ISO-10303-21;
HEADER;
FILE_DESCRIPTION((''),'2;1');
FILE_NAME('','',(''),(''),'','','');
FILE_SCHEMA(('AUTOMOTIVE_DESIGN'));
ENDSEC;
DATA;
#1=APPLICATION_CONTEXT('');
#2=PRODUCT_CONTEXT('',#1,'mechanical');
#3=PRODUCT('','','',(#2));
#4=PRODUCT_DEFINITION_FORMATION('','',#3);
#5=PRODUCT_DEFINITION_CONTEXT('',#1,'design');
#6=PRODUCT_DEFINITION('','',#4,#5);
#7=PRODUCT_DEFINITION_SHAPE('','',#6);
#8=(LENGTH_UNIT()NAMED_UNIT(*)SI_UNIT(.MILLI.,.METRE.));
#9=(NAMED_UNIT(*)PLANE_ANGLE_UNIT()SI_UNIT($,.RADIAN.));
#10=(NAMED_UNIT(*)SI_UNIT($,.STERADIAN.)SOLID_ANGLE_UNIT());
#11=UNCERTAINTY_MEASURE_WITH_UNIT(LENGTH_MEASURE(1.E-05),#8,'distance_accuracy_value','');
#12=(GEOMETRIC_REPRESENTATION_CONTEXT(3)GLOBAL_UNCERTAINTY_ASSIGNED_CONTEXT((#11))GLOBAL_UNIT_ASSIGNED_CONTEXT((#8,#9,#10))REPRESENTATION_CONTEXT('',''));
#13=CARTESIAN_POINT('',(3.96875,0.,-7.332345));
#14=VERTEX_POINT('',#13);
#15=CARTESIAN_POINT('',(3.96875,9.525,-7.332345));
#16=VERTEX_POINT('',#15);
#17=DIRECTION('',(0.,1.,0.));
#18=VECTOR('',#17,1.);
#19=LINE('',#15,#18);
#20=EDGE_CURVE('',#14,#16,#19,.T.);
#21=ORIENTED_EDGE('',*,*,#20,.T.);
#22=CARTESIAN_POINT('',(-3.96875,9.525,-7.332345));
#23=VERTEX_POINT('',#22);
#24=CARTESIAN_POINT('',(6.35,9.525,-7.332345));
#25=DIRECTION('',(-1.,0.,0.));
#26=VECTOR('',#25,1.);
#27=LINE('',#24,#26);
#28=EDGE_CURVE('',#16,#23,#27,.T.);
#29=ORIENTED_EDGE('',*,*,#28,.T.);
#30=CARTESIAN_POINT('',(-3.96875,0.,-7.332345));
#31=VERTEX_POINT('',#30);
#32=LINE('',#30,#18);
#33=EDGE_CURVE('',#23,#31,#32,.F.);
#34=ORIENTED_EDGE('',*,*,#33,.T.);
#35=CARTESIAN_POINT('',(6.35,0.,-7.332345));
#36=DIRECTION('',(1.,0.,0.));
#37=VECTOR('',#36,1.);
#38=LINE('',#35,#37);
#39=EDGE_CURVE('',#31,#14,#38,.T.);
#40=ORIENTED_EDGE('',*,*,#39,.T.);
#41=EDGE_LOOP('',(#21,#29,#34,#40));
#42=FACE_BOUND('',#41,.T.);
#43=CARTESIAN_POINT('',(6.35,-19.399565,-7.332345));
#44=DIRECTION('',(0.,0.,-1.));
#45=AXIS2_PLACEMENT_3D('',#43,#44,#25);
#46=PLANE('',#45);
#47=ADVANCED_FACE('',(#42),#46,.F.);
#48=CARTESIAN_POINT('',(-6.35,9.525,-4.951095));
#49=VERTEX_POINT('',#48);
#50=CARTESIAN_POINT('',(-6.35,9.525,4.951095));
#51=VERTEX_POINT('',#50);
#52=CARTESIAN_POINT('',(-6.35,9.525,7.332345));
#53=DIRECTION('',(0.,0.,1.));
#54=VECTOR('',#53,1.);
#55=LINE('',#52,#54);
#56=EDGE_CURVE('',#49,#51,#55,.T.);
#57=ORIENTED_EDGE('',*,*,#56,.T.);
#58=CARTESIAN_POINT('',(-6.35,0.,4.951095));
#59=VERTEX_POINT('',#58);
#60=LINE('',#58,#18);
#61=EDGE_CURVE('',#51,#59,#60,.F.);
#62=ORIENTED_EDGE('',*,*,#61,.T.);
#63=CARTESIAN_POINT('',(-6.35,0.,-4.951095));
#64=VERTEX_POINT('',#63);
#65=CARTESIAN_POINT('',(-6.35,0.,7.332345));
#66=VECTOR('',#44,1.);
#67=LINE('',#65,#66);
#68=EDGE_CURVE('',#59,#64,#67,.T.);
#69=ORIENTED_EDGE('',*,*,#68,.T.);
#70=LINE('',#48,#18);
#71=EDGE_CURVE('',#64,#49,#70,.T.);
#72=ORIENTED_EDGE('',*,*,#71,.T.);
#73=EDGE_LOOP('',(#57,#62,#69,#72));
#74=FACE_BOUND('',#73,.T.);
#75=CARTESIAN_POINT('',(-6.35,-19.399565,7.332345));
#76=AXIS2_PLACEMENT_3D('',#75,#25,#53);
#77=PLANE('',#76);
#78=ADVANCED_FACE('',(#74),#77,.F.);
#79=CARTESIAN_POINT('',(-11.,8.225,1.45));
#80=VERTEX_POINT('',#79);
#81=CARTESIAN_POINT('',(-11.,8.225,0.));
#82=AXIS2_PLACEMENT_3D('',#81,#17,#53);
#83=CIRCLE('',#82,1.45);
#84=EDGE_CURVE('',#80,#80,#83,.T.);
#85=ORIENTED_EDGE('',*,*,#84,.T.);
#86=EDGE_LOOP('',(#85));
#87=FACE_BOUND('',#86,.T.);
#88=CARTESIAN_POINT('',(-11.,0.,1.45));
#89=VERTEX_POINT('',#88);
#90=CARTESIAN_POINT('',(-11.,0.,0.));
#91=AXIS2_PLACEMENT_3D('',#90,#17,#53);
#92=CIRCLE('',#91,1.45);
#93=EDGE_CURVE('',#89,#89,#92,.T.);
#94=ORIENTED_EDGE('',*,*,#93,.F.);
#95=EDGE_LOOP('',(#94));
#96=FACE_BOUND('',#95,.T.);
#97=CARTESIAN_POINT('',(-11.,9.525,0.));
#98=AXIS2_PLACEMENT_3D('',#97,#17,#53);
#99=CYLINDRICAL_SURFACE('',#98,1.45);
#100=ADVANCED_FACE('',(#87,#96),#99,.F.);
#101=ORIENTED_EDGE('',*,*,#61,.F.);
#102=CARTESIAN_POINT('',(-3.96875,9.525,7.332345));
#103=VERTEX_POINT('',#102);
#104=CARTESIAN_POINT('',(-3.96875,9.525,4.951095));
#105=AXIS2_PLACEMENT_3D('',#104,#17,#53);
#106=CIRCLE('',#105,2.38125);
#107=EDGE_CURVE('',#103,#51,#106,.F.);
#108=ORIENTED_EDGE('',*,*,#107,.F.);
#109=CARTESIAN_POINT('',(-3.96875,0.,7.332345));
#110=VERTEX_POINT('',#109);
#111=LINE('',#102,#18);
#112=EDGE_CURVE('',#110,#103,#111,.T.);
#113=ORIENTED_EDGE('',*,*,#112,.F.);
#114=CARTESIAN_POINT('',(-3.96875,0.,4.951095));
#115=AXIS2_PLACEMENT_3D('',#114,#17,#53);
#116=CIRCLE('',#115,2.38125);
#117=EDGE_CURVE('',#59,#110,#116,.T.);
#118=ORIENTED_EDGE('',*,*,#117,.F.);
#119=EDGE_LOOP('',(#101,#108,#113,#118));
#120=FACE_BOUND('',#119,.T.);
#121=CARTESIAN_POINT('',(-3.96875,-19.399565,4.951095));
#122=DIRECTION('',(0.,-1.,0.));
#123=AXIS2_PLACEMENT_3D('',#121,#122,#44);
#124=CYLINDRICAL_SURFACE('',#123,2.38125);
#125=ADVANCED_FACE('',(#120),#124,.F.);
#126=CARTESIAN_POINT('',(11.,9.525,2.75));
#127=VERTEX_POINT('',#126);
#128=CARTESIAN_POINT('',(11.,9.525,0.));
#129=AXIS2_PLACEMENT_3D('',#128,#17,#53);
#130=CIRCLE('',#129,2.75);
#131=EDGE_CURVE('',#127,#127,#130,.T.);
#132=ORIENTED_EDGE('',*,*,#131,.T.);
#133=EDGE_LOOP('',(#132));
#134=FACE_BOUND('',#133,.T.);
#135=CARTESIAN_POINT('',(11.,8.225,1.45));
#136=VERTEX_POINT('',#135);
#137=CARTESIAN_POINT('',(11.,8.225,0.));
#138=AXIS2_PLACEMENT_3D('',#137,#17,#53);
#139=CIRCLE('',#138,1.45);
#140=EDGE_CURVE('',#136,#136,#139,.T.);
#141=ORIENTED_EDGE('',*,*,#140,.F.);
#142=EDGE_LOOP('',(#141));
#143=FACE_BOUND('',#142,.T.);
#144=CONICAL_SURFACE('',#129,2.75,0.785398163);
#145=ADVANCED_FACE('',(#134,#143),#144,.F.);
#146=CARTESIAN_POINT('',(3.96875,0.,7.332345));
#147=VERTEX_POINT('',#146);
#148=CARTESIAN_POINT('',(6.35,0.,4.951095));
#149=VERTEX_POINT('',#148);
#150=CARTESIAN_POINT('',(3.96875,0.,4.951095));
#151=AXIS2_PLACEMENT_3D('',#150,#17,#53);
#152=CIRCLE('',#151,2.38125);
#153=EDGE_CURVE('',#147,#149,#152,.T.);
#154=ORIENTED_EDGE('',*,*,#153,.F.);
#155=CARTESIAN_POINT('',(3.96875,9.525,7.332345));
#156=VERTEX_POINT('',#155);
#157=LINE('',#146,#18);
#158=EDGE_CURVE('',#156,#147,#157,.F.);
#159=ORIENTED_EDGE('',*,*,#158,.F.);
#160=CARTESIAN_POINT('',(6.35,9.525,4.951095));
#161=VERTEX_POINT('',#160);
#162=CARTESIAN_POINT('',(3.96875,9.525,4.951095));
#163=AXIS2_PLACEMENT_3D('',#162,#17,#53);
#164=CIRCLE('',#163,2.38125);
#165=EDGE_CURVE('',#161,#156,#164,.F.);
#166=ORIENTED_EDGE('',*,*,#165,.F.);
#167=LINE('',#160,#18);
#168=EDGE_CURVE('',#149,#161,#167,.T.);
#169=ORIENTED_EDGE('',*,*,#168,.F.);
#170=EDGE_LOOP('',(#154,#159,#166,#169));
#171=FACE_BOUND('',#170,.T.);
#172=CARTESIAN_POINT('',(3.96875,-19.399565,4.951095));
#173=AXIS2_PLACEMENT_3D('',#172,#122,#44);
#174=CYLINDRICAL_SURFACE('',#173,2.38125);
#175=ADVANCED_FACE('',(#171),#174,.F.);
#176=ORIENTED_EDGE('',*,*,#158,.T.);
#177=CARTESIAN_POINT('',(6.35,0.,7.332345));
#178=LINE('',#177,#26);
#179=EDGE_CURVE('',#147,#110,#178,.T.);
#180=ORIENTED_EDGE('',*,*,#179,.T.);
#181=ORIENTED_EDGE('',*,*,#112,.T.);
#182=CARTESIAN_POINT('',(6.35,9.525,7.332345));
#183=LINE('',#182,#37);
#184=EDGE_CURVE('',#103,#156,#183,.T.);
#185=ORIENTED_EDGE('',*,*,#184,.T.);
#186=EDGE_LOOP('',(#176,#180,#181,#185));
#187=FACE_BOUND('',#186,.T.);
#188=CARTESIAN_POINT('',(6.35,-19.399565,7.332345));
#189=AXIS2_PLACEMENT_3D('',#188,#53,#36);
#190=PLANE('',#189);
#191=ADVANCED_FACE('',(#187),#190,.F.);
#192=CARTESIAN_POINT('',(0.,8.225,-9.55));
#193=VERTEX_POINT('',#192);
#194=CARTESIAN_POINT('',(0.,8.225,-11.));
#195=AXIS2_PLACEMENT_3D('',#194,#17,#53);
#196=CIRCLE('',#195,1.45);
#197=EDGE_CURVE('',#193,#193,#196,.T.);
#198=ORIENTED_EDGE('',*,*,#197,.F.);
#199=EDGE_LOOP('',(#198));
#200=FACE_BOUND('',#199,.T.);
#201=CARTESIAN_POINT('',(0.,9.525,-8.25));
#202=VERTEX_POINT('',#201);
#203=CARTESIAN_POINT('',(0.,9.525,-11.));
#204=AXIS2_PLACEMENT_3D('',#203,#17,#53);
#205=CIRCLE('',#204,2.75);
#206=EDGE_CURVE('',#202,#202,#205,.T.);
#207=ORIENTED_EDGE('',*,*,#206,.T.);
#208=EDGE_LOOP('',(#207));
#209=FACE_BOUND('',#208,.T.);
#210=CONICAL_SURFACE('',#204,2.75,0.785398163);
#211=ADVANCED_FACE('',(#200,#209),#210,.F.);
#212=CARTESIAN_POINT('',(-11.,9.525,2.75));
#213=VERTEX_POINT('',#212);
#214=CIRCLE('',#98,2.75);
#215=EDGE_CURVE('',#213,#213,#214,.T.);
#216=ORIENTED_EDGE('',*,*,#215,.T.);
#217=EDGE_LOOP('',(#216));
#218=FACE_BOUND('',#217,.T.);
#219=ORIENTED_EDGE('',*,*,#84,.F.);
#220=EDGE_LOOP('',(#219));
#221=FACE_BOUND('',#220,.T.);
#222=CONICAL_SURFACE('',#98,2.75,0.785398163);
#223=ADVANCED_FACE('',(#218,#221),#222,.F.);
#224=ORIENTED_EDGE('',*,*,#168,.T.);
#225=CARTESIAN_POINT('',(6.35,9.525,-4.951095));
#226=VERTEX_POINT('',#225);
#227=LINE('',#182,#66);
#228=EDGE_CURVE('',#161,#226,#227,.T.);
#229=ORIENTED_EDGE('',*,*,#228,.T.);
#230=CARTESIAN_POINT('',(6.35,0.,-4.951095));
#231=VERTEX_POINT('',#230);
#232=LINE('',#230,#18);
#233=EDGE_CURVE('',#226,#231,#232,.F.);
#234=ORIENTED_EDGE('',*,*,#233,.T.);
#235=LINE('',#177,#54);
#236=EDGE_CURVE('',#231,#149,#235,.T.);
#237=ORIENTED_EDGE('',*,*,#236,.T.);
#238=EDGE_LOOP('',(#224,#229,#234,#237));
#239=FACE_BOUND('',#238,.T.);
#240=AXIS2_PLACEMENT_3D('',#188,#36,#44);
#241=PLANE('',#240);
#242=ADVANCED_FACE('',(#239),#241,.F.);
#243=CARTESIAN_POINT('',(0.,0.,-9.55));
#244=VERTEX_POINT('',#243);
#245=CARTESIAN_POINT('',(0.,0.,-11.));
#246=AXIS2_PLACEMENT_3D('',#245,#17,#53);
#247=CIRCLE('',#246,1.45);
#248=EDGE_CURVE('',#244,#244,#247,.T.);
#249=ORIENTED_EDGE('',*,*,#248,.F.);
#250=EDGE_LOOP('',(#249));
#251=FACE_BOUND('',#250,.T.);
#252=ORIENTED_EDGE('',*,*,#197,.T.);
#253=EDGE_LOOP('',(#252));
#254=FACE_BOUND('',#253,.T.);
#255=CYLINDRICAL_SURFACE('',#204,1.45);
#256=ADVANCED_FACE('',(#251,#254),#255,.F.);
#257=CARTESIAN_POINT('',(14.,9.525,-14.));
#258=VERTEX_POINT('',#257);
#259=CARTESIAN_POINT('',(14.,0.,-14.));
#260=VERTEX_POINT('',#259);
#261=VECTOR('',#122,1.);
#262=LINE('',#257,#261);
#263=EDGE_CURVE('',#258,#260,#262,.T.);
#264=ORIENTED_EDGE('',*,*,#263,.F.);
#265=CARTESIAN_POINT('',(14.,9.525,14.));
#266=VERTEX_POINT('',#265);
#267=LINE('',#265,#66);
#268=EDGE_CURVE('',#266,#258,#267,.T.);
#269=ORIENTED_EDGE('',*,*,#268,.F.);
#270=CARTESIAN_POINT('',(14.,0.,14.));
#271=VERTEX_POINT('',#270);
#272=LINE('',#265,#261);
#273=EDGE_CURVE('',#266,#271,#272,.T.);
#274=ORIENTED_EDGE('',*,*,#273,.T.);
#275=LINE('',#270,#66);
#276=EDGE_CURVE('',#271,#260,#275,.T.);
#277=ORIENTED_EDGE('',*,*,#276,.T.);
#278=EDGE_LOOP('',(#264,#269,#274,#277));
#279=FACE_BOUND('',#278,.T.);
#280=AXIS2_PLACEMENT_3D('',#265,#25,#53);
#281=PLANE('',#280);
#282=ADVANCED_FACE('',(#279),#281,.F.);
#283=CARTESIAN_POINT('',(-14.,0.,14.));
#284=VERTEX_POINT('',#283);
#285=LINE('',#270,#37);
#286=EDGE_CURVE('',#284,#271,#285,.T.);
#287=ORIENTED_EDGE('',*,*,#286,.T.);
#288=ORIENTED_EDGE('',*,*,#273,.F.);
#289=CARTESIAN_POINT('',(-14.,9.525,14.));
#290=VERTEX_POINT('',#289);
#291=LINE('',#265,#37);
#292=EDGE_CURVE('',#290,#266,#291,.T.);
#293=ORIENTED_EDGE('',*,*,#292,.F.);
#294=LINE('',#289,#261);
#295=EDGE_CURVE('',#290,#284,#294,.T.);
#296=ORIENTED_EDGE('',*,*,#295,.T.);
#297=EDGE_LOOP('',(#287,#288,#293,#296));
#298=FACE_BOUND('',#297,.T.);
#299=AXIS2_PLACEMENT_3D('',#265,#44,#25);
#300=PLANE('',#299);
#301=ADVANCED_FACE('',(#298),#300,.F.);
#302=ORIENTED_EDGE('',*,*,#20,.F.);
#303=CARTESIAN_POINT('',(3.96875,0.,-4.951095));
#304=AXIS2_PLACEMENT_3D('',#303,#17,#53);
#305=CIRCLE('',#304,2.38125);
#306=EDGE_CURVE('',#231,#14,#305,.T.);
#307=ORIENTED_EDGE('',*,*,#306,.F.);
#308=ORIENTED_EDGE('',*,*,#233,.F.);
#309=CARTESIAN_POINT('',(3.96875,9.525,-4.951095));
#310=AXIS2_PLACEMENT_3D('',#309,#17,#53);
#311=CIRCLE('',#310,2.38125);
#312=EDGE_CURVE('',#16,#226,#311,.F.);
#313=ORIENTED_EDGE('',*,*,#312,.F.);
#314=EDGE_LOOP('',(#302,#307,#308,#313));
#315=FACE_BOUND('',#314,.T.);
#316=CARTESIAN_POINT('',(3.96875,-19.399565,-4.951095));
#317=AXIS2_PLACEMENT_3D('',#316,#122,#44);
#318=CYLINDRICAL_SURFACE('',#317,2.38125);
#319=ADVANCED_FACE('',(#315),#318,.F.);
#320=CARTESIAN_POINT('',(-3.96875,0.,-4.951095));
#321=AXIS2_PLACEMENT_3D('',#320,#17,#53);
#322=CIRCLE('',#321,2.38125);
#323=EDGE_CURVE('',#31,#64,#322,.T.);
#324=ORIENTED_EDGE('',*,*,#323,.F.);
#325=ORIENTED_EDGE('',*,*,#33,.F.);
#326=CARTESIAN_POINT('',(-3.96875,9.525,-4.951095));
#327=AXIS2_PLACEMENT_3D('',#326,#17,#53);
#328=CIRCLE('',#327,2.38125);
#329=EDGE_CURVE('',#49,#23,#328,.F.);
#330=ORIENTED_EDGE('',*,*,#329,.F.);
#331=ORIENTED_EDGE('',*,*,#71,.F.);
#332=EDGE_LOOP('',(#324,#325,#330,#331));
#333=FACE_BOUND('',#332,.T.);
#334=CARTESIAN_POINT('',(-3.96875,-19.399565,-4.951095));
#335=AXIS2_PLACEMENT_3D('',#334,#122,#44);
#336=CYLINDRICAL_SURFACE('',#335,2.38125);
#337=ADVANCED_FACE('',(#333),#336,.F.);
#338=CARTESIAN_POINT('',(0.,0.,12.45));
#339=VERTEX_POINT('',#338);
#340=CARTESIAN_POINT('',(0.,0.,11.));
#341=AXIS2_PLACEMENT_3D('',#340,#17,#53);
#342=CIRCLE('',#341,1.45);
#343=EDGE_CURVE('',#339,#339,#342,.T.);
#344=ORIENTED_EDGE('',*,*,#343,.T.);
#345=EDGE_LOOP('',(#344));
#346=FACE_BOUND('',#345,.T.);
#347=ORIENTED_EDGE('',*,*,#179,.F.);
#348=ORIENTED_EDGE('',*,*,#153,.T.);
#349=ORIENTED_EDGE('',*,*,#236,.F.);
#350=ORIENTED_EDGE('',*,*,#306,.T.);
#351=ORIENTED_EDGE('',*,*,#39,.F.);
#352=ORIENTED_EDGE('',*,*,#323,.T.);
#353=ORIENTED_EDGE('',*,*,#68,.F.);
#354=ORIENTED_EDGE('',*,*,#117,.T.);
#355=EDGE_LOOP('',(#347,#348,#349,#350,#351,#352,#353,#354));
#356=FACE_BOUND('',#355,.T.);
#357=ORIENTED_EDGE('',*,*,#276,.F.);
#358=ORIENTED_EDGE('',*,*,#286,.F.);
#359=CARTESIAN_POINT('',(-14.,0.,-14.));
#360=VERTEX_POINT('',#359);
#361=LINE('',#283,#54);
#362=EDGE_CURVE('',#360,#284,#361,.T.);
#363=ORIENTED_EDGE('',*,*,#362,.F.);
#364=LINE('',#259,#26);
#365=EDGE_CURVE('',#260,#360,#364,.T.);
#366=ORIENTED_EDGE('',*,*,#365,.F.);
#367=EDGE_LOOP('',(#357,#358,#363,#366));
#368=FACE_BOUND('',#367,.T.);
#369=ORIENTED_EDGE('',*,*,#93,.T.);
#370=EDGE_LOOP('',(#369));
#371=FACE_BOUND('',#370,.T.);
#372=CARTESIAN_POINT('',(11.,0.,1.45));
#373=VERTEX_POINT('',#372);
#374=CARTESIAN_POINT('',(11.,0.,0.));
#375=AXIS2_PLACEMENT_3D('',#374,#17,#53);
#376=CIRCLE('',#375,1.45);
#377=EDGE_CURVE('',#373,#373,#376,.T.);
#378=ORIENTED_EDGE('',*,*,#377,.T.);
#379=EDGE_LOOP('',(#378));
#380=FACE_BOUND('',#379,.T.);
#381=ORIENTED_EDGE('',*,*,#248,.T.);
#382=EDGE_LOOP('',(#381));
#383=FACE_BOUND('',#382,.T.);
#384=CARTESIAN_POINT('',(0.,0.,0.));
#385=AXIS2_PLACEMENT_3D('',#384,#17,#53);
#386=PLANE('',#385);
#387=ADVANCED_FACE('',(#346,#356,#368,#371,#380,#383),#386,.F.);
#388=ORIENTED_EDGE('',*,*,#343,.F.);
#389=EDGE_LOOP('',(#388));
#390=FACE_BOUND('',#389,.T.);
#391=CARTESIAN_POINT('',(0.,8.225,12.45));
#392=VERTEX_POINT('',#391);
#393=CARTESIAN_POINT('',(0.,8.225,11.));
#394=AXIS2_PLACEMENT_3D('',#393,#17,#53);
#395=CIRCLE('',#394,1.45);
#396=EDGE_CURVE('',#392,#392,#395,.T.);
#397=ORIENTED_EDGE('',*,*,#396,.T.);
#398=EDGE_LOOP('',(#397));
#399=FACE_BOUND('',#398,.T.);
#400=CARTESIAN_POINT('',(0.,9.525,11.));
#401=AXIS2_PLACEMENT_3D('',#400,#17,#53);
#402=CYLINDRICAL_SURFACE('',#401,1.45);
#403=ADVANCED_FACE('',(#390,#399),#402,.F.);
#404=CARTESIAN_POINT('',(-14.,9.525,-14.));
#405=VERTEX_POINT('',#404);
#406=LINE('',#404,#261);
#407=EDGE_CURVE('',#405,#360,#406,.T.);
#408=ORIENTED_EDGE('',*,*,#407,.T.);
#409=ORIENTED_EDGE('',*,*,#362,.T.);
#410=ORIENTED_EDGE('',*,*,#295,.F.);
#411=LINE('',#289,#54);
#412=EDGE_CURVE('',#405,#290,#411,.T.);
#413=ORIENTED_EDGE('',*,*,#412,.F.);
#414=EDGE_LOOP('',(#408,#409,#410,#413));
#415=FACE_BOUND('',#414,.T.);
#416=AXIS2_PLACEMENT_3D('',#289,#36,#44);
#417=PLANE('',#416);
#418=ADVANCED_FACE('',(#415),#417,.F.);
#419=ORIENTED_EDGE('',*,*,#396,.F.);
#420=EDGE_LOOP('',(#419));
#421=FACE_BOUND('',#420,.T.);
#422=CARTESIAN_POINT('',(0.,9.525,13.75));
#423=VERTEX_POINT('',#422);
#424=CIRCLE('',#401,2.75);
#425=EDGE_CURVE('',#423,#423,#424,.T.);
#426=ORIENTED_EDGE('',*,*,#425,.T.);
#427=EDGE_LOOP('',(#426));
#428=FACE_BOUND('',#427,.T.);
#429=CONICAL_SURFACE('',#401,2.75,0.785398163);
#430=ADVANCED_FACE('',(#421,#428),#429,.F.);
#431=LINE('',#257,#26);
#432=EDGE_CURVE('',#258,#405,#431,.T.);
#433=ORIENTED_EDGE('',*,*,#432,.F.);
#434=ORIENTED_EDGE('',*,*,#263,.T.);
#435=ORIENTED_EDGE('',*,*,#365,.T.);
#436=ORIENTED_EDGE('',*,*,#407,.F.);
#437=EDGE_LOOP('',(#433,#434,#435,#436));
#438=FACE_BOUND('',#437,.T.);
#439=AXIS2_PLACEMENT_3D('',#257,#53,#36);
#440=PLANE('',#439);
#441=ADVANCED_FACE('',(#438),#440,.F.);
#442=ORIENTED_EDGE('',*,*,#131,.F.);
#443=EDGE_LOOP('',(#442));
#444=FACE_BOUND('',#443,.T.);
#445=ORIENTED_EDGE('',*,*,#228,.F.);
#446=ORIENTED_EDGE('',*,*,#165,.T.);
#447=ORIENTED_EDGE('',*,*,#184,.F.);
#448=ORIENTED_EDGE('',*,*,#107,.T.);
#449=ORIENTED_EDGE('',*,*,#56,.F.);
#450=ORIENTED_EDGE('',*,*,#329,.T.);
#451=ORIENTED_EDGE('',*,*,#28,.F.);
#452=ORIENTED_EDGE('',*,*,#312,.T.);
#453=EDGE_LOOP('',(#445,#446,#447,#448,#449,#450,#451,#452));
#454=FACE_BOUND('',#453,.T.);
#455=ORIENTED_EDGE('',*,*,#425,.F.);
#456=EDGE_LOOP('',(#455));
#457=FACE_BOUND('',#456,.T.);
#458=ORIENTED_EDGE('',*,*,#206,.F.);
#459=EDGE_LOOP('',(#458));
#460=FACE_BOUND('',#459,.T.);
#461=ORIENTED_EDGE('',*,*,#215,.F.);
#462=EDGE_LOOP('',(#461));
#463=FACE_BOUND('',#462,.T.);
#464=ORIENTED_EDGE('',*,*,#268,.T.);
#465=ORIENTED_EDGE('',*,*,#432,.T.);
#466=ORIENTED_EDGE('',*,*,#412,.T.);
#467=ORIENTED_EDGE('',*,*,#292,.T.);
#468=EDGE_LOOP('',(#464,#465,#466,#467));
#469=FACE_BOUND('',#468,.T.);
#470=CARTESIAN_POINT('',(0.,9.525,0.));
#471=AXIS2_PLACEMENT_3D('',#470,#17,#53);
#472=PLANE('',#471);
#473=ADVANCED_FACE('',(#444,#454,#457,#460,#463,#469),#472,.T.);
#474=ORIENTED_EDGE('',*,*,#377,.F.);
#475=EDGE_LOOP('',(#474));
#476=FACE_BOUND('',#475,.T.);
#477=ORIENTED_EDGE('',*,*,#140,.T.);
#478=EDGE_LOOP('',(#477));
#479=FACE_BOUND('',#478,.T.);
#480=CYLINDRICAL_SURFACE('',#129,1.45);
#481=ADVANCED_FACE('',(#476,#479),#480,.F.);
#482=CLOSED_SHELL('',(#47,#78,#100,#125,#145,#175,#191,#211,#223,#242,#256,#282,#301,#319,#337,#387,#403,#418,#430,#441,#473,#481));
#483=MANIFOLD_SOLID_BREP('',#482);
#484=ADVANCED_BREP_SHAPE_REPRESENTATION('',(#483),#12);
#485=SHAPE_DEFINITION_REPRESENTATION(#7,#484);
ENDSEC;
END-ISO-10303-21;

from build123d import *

# Parameters (mm, degrees)
SKETCH2_W                                         = 28
SKETCH2_H                                         = 28
BOSS_EXTRUDE1_DEPTH                               = 9.525
SKETCH6_W                                         = 12.7
SKETCH6_H                                         = 14.66469
CUT_EXTRUDE3_DEPTH                                = 9.525
FILLET1_R                                         = 2.38125
CSK_FOR_M2_5_FLAT_HEAD_MACHINE_SCREW1_D           = 2.9
CSK_FOR_M2_5_FLAT_HEAD_MACHINE_SCREW1_DEPTH       = 10.16
CSK_FOR_M2_5_FLAT_HEAD_MACHINE_SCREW1_CSINK_D     = 5.5
CSK_FOR_M2_5_FLAT_HEAD_MACHINE_SCREW1_CSINK_ANGLE = 90
CSK_FOR_M2_5_FLAT_HEAD_MACHINE_SCREW1_TIP         = 0.871247898


with BuildPart() as part:
    # Sketch2 → Boss-Extrude1 (new body)
    with BuildSketch(Plane(origin=(0, 0, 0), x_dir=(1, 0, 0), z_dir=(0, 1, 0))):
        Rectangle(SKETCH2_W, SKETCH2_H)
    extrude(amount=BOSS_EXTRUDE1_DEPTH)

    # Sketch6 → Cut-Extrude3 (cut)
    with BuildSketch(Plane(origin=(0, 9.525, 0), x_dir=(1, 0, 0), z_dir=(0, 1, 0))):
        Rectangle(SKETCH6_W, SKETCH6_H)
    extrude(amount=-CUT_EXTRUDE3_DEPTH, mode=Mode.SUBTRACT)

    # Fillet1
    fillet1_edges = [part.edges().sort_by_distance(p)[0] for p in [
        (-6.35, 4.7625, 7.332345),
        (-6.35, 4.7625, -7.332345),
        (6.35, 4.7625, -7.332345),
        (6.35, 4.7625, 7.332345),
    ]]
    fillet(fillet1_edges, radius=FILLET1_R)

    # CSK for M2.5 Flat Head Machine Screw1
    with Locations(Plane(origin=(0, 9.525, 0), x_dir=(1, 0, 0), z_dir=(0, 1, 0))):
        with Locations((-11, 0), (0, -11), (11, 0), (0, 11)):
            CounterSinkHole(CSK_FOR_M2_5_FLAT_HEAD_MACHINE_SCREW1_D / 2, CSK_FOR_M2_5_FLAT_HEAD_MACHINE_SCREW1_CSINK_D / 2, depth=CSK_FOR_M2_5_FLAT_HEAD_MACHINE_SCREW1_DEPTH, counter_sink_angle=CSK_FOR_M2_5_FLAT_HEAD_MACHINE_SCREW1_CSINK_ANGLE)
            with Locations((0, 0, -(CSK_FOR_M2_5_FLAT_HEAD_MACHINE_SCREW1_DEPTH + CSK_FOR_M2_5_FLAT_HEAD_MACHINE_SCREW1_TIP / 2))):  # 118° drill point
                Cone(0, CSK_FOR_M2_5_FLAT_HEAD_MACHINE_SCREW1_D / 2, CSK_FOR_M2_5_FLAT_HEAD_MACHINE_SCREW1_TIP, mode=Mode.SUBTRACT)


solid = part.part
